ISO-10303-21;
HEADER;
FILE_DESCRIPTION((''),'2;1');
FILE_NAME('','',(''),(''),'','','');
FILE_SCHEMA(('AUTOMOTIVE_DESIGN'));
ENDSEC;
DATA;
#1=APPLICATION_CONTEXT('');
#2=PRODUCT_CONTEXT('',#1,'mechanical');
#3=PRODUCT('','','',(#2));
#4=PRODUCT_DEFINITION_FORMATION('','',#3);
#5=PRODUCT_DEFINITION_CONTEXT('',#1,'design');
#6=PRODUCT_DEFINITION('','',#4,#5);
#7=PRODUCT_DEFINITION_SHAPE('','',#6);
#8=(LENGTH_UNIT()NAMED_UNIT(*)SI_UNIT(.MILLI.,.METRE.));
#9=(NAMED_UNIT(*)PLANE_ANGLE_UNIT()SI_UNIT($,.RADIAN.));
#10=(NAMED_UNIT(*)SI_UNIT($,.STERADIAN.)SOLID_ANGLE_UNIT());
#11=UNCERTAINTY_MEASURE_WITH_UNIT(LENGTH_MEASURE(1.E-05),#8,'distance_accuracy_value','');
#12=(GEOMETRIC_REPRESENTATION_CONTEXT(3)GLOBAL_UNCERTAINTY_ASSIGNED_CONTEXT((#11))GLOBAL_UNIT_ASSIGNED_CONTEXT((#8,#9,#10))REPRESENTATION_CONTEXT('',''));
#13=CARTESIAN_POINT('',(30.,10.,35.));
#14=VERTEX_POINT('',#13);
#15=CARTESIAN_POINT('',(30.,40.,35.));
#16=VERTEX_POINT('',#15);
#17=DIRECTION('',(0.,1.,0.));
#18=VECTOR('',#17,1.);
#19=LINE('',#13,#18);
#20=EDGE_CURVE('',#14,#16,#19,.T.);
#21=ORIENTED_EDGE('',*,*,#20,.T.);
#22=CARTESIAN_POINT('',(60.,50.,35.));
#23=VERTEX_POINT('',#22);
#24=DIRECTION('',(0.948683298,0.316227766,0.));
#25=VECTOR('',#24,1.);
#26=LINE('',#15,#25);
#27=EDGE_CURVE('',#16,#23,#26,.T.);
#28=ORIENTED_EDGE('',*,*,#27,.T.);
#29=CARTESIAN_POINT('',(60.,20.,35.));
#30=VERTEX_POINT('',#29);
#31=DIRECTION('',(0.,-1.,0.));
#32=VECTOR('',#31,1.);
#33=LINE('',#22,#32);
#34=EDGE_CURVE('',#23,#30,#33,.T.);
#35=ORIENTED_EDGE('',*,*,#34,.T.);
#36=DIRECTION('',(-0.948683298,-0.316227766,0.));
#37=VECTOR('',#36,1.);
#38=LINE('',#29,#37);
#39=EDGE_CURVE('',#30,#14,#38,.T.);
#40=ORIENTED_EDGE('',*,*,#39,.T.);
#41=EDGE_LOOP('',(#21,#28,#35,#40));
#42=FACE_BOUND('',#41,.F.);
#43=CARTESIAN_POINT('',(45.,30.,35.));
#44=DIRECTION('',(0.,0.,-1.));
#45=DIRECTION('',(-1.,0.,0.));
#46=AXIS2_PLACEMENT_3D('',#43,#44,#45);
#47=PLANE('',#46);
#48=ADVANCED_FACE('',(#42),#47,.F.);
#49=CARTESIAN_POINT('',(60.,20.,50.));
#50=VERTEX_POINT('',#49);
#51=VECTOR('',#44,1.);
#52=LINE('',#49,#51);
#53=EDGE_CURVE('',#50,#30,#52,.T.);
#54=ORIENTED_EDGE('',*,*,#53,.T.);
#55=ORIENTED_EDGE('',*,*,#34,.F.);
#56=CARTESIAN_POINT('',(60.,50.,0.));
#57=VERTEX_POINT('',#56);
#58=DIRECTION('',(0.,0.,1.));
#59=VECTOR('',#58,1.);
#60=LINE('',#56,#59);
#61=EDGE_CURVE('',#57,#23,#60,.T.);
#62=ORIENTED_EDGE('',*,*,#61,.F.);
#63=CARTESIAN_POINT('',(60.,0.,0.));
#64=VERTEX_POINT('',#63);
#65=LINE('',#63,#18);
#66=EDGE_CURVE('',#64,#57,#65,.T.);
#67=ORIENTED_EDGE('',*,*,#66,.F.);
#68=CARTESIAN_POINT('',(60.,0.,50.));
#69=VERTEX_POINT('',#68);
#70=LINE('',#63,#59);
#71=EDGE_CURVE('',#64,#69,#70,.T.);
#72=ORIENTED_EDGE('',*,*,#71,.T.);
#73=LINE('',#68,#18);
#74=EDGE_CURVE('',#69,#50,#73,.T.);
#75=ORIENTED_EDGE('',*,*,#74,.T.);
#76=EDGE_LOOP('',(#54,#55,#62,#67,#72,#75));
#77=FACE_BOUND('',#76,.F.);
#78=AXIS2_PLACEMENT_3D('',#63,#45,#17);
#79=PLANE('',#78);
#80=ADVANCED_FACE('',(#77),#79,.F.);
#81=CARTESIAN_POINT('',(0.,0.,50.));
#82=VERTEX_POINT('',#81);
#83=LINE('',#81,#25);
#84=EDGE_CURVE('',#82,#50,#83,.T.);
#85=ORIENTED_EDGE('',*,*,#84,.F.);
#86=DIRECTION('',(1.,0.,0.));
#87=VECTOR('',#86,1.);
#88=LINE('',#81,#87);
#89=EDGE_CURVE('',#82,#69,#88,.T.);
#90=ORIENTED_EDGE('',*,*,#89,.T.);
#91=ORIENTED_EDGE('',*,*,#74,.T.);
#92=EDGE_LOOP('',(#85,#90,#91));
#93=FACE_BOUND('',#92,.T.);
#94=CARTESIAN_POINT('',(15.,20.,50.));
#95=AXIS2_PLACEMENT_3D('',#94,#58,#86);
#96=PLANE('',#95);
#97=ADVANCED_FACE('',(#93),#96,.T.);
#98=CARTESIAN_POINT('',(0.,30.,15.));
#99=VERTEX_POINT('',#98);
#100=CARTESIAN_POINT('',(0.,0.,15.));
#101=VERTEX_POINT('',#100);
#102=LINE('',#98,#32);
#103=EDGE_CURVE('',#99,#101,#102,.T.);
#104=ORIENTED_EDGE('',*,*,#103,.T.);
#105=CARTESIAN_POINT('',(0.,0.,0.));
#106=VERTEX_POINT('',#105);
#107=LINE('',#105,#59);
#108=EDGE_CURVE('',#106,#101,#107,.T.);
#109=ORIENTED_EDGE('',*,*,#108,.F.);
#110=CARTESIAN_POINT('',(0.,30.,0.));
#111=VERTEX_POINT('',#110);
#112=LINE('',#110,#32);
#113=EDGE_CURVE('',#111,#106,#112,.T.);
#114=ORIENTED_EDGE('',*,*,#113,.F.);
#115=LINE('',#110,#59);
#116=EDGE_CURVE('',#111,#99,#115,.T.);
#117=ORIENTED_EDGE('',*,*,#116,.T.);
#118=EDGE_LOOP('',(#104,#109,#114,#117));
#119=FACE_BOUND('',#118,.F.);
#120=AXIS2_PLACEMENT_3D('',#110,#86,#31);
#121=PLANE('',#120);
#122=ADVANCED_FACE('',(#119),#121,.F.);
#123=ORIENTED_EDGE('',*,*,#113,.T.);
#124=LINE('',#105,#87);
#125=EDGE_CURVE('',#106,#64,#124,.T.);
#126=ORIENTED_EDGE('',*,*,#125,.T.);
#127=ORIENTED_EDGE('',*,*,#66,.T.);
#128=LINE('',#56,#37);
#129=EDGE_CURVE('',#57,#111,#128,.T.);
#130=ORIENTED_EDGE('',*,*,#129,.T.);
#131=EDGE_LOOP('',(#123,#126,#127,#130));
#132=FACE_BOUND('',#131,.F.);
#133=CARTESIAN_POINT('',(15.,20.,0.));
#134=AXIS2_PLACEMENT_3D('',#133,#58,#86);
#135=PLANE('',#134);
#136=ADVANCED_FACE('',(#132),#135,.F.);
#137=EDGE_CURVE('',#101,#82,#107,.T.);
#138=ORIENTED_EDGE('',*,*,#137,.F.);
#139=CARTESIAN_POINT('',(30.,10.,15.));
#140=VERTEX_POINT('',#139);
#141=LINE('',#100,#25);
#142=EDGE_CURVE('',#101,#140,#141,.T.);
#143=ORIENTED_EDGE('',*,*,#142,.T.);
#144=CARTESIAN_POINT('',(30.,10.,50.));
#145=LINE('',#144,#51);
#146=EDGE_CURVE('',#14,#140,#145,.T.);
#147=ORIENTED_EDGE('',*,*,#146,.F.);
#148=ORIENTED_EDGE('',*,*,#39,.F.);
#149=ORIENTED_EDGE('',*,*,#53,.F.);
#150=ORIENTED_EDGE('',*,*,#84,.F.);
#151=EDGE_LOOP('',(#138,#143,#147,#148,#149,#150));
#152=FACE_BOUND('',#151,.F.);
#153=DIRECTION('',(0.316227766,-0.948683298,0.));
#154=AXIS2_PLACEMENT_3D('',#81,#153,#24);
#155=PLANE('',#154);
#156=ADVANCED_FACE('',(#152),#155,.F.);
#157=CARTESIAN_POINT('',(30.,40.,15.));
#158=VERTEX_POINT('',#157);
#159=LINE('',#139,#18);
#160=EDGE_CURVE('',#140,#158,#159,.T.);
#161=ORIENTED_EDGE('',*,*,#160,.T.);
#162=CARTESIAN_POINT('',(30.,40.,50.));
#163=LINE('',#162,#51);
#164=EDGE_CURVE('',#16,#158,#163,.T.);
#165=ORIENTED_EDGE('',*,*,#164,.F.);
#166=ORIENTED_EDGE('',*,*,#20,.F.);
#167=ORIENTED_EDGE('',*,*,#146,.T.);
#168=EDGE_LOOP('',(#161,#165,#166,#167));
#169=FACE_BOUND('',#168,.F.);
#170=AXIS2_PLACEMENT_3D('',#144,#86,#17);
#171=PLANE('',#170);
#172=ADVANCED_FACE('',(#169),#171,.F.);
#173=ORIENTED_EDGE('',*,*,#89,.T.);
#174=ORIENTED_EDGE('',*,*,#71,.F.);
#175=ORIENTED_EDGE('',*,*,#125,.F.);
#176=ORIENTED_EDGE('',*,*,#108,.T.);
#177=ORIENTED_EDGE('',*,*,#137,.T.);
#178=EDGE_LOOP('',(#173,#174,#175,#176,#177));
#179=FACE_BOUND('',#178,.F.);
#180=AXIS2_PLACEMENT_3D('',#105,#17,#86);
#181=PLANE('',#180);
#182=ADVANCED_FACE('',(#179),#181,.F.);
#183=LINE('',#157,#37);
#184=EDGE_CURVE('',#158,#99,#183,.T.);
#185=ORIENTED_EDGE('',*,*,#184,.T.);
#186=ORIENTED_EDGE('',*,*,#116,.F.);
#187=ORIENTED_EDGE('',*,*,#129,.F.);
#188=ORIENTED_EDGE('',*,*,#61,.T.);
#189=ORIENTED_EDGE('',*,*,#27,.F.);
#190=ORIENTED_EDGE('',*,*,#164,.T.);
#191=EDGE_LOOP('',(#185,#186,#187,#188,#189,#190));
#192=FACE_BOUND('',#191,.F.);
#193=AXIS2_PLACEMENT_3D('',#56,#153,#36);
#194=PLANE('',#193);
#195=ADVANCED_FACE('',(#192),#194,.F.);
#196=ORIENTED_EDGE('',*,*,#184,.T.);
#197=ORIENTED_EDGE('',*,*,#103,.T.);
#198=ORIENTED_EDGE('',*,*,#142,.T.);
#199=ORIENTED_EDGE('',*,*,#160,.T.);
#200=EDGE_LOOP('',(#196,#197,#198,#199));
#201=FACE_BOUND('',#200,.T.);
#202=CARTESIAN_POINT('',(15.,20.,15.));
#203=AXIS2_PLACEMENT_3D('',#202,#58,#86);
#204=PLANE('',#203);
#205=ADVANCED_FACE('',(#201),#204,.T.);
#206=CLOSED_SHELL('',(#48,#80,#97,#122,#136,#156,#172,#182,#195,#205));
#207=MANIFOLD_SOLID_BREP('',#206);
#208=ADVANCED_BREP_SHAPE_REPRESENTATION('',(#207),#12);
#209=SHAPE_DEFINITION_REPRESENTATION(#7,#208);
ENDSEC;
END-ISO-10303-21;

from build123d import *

# Parameters (mm, degrees)
BOSS_EXTRUDE1_DEPTH = 50
CUT_EXTRUDE1_DEPTH  = 35
CUT_EXTRUDE2_DEPTH  = 15


with BuildPart() as part:
    # Sketch1 → Boss-Extrude1 (new body)
    with BuildSketch(Plane.XY):
        Polygon((0, 30), (0, 0), (30, 10), (30, 40), align=None)
        Polygon((30, 40), (30, 10), (60, 20), (60, 50), align=None)
        Polygon((30, 10), (0, 0), (60, 0), (60, 20), align=None)
    extrude(amount=BOSS_EXTRUDE1_DEPTH)

    # Sketch2 → Cut-Extrude1 (cut)
    with BuildSketch(Plane.XY.offset(50)):
        Polygon((30, 10), (30, 40), (0, 30), (0, 0), align=None)
    extrude(amount=-CUT_EXTRUDE1_DEPTH, mode=Mode.SUBTRACT)

    # Sketch3 → Cut-Extrude2 (cut)
    with BuildSketch(Plane.XY.offset(50)):
        Polygon((30, 40), (60, 50), (60, 20), (30, 10), align=None)
    extrude(amount=-CUT_EXTRUDE2_DEPTH, mode=Mode.SUBTRACT)


solid = part.part
